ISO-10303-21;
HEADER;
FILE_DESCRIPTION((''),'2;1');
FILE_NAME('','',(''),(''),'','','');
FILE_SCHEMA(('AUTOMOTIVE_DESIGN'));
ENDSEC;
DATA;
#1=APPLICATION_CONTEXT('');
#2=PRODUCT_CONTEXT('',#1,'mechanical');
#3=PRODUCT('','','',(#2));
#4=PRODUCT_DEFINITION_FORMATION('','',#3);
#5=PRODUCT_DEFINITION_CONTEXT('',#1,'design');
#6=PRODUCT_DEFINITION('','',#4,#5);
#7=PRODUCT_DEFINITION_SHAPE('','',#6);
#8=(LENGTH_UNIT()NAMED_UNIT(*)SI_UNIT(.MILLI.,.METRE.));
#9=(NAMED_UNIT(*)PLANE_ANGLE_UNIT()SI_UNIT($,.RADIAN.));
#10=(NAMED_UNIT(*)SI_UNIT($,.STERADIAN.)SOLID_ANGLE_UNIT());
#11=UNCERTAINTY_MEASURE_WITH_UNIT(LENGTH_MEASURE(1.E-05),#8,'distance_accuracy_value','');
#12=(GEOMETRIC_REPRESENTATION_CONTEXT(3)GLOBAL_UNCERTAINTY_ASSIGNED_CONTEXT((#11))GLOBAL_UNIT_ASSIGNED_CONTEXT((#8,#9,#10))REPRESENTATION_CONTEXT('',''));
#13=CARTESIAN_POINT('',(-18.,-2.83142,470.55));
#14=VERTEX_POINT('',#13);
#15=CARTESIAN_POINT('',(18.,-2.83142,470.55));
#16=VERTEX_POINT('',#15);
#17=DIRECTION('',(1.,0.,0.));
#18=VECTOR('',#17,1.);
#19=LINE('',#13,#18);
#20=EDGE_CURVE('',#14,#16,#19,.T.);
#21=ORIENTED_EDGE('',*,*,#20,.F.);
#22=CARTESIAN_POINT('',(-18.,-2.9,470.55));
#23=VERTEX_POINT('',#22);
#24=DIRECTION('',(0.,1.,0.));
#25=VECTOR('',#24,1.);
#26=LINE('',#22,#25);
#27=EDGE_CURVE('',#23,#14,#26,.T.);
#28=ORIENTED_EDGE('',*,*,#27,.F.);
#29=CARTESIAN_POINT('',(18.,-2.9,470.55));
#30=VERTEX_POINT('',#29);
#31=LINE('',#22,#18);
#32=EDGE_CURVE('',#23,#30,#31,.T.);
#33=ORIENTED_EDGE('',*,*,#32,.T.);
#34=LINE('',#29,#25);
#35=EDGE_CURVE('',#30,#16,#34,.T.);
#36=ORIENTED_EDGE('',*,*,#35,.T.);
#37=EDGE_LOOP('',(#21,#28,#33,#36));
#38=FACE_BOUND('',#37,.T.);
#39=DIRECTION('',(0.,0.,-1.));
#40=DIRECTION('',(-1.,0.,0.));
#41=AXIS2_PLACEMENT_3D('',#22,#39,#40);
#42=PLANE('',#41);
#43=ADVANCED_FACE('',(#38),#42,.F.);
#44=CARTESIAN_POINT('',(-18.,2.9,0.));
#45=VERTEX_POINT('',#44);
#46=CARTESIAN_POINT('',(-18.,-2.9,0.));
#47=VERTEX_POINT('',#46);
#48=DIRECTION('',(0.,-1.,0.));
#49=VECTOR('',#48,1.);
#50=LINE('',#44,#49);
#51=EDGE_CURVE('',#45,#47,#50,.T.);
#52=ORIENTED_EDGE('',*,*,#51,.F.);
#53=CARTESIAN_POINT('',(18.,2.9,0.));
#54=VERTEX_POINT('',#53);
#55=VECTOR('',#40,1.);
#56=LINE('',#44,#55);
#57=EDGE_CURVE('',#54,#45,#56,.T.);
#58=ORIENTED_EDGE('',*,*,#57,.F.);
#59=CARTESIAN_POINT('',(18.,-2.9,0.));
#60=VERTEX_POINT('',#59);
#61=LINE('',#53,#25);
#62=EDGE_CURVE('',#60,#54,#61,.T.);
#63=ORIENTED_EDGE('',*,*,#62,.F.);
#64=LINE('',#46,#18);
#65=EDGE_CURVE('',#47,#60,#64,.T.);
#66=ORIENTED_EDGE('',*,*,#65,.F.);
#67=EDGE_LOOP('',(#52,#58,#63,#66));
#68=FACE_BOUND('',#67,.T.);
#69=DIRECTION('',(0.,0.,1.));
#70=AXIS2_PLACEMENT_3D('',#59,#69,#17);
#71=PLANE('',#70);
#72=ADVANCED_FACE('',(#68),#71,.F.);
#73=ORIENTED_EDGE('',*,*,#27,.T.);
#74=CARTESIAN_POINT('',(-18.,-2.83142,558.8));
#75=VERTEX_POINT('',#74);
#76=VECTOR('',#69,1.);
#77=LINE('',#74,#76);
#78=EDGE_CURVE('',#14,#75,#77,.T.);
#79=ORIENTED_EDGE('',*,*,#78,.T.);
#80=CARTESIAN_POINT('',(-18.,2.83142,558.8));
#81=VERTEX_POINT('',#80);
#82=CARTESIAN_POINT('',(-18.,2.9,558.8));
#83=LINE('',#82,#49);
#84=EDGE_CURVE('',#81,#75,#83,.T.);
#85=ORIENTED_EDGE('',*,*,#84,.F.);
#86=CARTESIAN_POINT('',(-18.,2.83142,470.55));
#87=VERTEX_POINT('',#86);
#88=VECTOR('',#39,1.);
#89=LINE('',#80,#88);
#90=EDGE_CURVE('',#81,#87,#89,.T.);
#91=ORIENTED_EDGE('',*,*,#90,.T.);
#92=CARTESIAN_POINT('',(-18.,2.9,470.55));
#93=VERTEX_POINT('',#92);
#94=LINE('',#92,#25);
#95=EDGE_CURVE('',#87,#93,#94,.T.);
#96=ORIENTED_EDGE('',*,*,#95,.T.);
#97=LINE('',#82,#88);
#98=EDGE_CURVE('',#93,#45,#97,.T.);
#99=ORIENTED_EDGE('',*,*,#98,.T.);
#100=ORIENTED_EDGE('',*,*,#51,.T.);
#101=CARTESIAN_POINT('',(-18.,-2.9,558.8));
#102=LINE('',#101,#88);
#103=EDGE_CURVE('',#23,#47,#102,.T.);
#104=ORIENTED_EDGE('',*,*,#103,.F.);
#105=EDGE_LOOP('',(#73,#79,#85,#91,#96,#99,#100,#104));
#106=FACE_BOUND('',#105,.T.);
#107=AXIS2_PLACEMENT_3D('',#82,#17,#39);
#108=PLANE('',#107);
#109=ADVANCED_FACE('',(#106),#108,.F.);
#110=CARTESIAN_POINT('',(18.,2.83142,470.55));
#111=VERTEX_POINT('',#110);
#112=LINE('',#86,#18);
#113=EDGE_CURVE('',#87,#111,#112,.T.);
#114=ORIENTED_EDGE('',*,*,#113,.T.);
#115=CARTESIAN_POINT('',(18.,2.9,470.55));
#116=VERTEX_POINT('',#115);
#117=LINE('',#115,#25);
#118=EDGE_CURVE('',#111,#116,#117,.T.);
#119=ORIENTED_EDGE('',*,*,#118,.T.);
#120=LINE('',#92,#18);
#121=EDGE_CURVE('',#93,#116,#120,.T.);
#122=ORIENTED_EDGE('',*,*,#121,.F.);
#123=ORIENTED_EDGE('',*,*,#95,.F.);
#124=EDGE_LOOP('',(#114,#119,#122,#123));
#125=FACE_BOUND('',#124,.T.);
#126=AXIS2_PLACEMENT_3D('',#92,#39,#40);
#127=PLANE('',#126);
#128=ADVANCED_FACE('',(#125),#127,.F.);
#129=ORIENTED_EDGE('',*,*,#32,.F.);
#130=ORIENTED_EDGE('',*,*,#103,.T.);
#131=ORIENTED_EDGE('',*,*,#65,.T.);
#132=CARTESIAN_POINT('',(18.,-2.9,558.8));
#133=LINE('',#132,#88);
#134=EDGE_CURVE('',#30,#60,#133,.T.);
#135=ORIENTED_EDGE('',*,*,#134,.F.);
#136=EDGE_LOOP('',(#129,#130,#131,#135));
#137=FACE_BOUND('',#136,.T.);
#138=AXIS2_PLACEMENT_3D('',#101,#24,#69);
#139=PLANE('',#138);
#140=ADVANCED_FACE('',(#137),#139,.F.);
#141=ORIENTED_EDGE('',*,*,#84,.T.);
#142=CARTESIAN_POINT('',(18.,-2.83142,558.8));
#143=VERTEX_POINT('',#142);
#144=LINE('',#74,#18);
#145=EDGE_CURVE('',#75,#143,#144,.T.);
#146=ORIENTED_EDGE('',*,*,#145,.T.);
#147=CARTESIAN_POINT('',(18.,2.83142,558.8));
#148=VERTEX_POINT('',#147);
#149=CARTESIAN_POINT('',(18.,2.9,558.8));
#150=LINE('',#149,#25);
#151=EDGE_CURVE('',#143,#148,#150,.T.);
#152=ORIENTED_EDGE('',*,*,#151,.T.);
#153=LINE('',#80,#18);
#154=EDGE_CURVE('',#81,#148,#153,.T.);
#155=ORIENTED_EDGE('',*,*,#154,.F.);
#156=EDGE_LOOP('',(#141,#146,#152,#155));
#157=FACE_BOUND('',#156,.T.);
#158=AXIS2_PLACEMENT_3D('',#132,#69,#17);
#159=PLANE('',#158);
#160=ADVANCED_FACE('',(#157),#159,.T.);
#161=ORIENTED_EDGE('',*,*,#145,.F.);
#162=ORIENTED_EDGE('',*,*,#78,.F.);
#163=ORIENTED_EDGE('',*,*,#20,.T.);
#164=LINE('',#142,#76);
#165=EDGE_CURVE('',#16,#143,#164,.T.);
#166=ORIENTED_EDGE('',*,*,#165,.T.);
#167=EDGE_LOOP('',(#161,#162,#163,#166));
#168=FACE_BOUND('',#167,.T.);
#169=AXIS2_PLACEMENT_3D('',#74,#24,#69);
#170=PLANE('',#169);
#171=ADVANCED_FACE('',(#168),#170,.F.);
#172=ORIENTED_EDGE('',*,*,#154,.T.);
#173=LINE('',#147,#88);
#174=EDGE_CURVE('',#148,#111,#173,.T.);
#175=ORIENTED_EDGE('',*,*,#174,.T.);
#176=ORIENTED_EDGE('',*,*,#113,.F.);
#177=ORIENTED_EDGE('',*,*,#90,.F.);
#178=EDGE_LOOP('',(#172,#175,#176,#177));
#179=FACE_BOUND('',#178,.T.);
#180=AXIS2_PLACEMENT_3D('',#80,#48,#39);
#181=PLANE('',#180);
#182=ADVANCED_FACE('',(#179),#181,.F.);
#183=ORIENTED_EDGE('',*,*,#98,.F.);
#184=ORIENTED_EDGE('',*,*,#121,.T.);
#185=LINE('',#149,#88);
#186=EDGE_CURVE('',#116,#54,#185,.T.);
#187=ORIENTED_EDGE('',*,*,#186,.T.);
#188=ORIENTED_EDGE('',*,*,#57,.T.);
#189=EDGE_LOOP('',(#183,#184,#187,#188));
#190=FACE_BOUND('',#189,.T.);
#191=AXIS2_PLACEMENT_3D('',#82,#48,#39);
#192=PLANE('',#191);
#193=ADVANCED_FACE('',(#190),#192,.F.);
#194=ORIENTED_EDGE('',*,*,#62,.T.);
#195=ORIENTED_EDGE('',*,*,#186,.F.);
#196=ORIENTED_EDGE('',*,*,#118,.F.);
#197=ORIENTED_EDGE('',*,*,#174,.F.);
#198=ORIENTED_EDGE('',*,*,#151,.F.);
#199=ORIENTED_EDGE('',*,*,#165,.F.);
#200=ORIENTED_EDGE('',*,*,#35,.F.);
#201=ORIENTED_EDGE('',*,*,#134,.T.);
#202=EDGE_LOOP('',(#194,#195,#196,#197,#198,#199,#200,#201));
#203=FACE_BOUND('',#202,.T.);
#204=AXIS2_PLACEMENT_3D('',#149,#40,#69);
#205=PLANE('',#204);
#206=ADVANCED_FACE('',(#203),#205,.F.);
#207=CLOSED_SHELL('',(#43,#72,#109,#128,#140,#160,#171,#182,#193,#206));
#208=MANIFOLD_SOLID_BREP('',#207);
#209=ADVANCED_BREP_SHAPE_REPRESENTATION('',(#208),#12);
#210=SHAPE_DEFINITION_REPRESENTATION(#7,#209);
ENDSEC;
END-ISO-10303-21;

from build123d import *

# Parameters (mm, degrees)
SKETCH2_W           = 36
SKETCH2_H           = 5.8
BOSS_EXTRUDE1_DEPTH = 558.8
SKETCH3_W           = 88.25
SKETCH3_H           = 0.06858
CUT_EXTRUDE1_DEPTH  = 37


with BuildPart() as part:
    # Sketch2 → Boss-Extrude1 (new body)
    with BuildSketch(Plane.XY):
        Rectangle(SKETCH2_W, SKETCH2_H)
    extrude(amount=BOSS_EXTRUDE1_DEPTH)

    # Sketch3 → Cut-Extrude1 (cut, through all)
    with BuildSketch(Plane(origin=(18, 0, 0), x_dir=(0, 0, -1), z_dir=(1, 0, 0))):
        with Locations((-514.675, -2.86571)):
            Rectangle(SKETCH3_W, SKETCH3_H)
        with Locations((-514.675, 2.86571)):
            Rectangle(SKETCH3_W, SKETCH3_H)
    extrude(amount=-CUT_EXTRUDE1_DEPTH, mode=Mode.SUBTRACT)


solid = part.part
